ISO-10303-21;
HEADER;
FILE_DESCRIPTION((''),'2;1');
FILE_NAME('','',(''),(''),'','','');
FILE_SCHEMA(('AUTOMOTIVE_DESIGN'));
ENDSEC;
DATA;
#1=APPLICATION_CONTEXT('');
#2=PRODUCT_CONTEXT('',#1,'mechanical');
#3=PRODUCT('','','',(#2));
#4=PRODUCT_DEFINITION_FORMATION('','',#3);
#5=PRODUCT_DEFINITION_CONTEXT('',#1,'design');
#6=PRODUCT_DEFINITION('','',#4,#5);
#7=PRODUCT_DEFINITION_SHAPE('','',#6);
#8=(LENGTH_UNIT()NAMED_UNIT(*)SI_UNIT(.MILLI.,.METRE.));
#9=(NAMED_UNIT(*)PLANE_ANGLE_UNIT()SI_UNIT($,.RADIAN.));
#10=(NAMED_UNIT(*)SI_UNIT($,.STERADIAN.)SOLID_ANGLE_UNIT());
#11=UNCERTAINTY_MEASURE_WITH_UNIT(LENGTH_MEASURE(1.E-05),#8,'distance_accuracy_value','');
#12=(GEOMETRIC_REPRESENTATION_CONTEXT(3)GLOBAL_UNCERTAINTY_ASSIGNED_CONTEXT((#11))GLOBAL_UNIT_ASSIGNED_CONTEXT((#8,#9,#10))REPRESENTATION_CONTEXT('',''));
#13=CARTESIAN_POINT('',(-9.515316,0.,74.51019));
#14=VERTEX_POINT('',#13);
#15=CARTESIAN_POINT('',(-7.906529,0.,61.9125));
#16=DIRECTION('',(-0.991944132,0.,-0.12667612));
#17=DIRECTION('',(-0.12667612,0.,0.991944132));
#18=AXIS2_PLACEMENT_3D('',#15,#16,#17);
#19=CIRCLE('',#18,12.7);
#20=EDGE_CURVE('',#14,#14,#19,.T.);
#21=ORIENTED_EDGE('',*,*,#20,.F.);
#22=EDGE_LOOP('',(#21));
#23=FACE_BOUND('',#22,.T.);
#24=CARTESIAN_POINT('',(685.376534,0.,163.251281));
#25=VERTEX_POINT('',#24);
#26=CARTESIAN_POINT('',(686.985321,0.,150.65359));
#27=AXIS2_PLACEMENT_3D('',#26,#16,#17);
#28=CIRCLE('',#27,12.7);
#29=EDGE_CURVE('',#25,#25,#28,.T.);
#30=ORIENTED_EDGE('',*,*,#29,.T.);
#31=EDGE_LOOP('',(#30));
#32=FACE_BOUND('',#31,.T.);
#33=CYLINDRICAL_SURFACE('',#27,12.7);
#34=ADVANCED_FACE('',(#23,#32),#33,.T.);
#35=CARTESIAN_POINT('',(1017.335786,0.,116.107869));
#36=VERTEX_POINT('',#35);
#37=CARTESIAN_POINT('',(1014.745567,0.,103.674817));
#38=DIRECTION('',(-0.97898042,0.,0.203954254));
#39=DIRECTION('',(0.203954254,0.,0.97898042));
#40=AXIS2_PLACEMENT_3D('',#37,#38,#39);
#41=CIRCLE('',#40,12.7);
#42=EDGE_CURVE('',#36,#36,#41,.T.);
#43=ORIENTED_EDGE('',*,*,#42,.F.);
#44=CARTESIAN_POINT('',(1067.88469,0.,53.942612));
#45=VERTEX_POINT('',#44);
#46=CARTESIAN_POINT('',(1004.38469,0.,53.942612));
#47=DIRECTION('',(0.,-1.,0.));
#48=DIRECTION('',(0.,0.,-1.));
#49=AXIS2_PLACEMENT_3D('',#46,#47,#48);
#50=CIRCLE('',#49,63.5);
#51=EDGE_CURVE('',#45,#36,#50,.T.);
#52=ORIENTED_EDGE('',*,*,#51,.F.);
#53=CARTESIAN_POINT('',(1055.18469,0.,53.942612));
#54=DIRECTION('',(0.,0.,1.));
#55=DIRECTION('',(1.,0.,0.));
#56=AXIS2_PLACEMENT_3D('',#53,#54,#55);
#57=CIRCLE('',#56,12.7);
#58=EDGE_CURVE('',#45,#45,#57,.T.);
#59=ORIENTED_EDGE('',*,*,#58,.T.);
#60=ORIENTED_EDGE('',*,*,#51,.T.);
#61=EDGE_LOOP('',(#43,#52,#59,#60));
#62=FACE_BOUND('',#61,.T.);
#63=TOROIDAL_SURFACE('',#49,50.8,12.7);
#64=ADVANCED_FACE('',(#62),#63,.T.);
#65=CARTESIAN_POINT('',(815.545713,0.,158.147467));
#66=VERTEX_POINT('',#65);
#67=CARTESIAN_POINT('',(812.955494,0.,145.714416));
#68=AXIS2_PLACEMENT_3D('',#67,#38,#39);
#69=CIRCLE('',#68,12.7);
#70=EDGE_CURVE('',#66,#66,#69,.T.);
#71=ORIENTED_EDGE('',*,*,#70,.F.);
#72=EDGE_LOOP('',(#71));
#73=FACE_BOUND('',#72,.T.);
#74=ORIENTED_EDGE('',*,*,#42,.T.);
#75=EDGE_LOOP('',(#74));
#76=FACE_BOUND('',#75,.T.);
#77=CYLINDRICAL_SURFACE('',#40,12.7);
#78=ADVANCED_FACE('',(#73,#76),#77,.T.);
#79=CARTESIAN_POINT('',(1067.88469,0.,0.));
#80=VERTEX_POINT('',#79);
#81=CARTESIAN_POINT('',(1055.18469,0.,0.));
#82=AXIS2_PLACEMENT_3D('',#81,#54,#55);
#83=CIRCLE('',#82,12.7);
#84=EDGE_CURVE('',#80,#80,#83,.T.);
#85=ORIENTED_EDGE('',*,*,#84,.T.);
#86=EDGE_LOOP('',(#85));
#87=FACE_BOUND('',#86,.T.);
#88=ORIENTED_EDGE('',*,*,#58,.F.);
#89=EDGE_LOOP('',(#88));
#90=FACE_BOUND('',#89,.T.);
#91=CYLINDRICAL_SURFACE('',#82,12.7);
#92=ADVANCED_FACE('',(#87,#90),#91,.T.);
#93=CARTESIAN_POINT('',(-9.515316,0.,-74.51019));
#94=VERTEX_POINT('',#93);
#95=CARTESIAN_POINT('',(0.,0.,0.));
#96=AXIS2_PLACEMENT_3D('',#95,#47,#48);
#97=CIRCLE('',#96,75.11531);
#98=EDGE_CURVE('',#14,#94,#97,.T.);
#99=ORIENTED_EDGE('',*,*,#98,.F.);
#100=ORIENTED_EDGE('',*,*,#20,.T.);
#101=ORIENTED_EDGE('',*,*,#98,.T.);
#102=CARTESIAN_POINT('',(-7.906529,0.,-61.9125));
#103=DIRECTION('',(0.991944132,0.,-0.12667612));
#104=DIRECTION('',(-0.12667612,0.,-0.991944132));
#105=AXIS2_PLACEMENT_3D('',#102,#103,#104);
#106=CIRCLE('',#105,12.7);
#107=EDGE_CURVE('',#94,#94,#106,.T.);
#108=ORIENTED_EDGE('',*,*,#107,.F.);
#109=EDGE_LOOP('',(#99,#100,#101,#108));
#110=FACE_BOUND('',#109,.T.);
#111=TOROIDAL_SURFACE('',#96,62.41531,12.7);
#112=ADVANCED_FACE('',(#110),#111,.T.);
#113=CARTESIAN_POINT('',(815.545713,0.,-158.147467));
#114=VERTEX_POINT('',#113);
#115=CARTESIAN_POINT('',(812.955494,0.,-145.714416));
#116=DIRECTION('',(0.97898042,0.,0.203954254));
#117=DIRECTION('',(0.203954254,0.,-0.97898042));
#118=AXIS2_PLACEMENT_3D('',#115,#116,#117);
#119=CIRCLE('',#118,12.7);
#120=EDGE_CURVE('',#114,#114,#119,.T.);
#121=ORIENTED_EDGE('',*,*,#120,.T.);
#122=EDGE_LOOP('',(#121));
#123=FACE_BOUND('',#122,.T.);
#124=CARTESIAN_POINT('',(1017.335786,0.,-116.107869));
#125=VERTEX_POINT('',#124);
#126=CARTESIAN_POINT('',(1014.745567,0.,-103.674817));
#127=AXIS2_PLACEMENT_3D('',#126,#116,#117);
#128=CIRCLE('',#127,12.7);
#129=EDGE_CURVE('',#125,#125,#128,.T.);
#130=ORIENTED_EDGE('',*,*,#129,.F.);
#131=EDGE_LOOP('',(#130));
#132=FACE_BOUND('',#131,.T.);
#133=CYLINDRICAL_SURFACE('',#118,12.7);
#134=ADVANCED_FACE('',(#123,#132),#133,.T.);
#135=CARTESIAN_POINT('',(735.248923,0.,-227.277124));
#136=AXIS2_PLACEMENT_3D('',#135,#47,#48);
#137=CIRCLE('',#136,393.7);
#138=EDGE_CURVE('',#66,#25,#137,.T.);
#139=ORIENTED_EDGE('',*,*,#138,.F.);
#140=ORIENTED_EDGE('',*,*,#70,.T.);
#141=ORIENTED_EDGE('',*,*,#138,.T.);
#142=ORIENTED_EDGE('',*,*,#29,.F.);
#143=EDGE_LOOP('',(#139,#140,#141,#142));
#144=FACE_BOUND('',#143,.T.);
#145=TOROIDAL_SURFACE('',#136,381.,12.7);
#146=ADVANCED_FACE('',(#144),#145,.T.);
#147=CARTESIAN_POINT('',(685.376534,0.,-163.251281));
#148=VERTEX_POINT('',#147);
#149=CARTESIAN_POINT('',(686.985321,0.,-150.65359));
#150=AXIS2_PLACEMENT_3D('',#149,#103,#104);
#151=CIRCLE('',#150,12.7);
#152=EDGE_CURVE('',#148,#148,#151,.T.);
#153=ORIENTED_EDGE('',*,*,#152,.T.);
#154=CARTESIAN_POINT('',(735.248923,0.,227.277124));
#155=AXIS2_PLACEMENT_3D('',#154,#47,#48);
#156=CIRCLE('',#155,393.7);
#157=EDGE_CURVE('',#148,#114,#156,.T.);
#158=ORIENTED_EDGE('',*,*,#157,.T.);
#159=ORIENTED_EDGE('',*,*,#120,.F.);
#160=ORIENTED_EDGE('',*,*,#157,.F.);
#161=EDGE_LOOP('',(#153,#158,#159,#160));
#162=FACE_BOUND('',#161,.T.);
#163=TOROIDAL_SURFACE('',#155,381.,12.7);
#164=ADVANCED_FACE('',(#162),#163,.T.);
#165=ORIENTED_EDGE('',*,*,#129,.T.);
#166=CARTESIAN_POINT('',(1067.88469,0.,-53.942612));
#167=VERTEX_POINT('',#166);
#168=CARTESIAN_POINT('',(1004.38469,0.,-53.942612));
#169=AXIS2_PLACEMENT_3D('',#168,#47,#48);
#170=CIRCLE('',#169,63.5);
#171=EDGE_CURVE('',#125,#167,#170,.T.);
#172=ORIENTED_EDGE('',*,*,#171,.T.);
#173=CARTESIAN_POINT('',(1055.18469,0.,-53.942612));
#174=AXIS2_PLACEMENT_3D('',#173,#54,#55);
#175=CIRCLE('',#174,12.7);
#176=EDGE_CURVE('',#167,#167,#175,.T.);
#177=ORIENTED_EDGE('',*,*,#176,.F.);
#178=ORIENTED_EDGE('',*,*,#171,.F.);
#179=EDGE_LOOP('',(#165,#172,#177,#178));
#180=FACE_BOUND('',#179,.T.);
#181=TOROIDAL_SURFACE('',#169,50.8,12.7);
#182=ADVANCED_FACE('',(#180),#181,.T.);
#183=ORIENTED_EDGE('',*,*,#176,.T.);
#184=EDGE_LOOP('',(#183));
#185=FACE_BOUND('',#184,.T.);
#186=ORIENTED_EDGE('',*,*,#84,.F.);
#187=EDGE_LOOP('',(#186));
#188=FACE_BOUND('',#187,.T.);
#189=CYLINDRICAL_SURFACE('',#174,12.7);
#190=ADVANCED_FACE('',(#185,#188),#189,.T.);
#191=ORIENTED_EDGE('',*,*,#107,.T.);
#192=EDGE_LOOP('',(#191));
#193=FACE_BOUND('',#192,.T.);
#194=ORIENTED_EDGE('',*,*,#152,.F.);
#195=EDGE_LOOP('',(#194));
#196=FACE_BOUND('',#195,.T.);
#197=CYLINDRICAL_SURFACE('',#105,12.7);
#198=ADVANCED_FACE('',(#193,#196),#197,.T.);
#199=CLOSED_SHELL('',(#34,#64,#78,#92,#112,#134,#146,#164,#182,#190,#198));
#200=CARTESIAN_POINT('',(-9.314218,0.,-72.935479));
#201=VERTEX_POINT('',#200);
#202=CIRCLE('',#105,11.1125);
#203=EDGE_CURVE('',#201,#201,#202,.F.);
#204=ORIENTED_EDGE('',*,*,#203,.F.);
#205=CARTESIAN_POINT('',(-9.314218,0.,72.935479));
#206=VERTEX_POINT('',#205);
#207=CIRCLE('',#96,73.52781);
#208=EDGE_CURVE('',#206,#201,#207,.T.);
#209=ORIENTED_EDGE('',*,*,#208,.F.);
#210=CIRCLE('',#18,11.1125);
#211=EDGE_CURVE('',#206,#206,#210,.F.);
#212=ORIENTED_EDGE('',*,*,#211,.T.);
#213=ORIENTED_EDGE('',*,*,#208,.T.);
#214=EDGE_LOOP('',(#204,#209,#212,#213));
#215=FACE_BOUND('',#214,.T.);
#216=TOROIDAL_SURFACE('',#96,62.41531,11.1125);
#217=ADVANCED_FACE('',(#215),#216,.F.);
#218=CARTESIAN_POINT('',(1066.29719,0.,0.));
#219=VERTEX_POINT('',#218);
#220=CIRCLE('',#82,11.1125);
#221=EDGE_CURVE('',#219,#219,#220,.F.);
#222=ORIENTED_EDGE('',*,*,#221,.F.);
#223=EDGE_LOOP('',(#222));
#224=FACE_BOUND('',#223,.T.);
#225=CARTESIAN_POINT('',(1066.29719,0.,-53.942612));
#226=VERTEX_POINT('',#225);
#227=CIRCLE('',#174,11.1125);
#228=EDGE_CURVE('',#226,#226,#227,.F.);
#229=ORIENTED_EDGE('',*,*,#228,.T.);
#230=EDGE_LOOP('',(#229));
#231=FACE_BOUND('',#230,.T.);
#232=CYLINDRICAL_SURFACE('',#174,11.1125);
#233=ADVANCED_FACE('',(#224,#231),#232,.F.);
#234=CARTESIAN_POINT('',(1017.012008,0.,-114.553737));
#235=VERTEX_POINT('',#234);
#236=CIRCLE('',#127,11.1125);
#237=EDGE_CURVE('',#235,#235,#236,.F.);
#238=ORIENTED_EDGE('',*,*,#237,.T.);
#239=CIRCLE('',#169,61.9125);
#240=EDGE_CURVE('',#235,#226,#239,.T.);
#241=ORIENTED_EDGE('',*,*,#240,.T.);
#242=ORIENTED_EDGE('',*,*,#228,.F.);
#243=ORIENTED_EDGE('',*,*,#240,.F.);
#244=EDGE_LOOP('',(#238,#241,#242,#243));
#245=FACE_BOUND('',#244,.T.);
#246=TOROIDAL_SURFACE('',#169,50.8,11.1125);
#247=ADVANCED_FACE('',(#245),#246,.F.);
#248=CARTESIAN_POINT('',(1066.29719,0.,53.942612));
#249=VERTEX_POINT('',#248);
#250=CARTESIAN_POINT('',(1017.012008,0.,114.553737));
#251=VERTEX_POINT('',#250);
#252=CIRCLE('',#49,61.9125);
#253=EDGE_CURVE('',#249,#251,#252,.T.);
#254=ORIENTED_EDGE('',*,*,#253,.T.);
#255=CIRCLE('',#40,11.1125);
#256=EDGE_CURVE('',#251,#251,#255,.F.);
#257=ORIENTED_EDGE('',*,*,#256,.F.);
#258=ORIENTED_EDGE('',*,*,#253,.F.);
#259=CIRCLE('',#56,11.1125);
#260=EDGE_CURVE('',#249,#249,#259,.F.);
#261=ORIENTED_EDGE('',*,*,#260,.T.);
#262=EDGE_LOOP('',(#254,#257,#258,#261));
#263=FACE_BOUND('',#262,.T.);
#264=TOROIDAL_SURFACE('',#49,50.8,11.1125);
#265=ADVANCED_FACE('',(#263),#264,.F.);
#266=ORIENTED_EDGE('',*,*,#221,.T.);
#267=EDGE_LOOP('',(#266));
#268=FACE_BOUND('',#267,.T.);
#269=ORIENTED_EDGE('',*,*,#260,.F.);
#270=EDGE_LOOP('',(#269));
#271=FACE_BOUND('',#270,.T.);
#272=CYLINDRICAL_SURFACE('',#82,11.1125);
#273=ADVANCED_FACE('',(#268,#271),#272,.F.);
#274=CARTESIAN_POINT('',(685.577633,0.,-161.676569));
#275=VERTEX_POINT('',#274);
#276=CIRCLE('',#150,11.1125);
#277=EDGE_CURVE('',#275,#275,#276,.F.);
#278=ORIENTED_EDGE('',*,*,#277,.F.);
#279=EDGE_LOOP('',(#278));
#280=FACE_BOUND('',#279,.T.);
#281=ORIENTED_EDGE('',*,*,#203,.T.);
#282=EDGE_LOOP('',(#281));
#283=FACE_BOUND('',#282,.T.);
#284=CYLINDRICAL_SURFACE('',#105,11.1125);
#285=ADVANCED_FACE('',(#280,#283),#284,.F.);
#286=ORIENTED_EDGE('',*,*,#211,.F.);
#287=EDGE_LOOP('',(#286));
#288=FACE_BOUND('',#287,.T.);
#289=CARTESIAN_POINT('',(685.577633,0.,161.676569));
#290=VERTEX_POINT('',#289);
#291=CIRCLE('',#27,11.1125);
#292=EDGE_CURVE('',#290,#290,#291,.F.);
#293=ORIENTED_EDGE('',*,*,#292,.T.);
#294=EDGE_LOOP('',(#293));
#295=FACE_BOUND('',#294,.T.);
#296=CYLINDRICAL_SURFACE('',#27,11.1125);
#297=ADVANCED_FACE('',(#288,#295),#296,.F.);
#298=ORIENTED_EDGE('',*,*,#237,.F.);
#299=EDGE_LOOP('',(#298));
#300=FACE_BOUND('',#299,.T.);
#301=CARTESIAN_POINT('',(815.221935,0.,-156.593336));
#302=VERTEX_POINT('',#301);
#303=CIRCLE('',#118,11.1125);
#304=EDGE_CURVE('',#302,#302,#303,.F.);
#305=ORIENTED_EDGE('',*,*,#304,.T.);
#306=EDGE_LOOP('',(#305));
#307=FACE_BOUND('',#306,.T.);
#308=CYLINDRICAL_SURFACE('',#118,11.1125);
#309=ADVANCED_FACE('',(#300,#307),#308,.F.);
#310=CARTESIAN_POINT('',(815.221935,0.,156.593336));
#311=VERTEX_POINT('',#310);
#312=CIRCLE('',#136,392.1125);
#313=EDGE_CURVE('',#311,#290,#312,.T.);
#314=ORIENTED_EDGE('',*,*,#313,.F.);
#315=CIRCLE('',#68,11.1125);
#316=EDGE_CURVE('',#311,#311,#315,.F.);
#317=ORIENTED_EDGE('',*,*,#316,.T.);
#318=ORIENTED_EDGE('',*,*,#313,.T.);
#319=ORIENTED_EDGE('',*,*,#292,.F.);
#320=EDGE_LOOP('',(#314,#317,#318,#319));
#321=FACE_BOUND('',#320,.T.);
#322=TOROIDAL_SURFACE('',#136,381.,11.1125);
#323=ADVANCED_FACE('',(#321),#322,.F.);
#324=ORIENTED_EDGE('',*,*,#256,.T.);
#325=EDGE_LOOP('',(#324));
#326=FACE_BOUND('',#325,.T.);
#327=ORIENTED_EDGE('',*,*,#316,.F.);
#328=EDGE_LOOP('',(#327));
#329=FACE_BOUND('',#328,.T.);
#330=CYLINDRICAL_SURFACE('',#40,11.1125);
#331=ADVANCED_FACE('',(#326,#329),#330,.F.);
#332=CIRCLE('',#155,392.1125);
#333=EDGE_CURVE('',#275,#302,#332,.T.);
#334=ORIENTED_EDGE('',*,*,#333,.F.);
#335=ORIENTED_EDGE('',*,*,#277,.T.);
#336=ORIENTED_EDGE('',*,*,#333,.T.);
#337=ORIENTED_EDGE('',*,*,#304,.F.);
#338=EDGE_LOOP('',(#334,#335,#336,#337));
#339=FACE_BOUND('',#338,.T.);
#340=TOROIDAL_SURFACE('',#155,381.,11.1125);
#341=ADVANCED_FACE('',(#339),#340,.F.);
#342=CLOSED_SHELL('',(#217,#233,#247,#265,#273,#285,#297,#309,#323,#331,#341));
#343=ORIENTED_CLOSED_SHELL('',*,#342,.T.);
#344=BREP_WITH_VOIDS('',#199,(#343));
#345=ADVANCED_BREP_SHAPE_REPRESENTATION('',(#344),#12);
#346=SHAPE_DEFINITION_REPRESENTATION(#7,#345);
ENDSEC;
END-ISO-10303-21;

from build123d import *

# Parameters (mm, degrees)
SKETCH2_R   = 12.7
SKETCH2_R_2 = 11.1125


with BuildPart() as part:
    # Sweep1: sweep along a path in Sketch1
    with BuildLine(Plane(origin=(0, 0, 0), x_dir=(1, 0, 0), z_dir=(0, 1, 0))) as sweep1_path:
        Line((-7.906529263, 61.9125), (686.985321151, 150.653590246))
        ThreePointArc((686.985321151, 150.653590246), (750.176111833, 153.430347782), (812.955493844, 145.714415968))
        Line((812.955493844, 145.714415968), (1014.745566599, 103.674817477))
        ThreePointArc((1014.745566599, 103.674817477), (1043.798980451, 85.991851566), (1055.18469049, 53.942612155))
        Line((1055.18469049, 53.942612155), (1055.18469049, -53.942612155))
        ThreePointArc((1055.18469049, -53.942612155), (1043.798980451, -85.991851566), (1014.745566599, -103.674817477))
        Line((1014.745566599, -103.674817477), (812.955493844, -145.714415968))
        ThreePointArc((812.955493844, -145.714415968), (750.176111833, -153.430347782), (686.985321151, -150.653590246))
        Line((686.985321151, -150.653590246), (-7.906529263, -61.9125))
        ThreePointArc((-7.906529263, -61.9125), (-62.41530951, 0), (-7.906529263, 61.9125))
    # Sketch2 → Sweep1 (sweep)
    with BuildSketch(Plane.XY):
        with Locations((1055.18469049, 0)):
            Circle(SKETCH2_R)
        with Locations((1055.18469049, 0)):
            Circle(SKETCH2_R_2, mode=Mode.SUBTRACT)
    sweep(path=sweep1_path.line)


solid = part.part
